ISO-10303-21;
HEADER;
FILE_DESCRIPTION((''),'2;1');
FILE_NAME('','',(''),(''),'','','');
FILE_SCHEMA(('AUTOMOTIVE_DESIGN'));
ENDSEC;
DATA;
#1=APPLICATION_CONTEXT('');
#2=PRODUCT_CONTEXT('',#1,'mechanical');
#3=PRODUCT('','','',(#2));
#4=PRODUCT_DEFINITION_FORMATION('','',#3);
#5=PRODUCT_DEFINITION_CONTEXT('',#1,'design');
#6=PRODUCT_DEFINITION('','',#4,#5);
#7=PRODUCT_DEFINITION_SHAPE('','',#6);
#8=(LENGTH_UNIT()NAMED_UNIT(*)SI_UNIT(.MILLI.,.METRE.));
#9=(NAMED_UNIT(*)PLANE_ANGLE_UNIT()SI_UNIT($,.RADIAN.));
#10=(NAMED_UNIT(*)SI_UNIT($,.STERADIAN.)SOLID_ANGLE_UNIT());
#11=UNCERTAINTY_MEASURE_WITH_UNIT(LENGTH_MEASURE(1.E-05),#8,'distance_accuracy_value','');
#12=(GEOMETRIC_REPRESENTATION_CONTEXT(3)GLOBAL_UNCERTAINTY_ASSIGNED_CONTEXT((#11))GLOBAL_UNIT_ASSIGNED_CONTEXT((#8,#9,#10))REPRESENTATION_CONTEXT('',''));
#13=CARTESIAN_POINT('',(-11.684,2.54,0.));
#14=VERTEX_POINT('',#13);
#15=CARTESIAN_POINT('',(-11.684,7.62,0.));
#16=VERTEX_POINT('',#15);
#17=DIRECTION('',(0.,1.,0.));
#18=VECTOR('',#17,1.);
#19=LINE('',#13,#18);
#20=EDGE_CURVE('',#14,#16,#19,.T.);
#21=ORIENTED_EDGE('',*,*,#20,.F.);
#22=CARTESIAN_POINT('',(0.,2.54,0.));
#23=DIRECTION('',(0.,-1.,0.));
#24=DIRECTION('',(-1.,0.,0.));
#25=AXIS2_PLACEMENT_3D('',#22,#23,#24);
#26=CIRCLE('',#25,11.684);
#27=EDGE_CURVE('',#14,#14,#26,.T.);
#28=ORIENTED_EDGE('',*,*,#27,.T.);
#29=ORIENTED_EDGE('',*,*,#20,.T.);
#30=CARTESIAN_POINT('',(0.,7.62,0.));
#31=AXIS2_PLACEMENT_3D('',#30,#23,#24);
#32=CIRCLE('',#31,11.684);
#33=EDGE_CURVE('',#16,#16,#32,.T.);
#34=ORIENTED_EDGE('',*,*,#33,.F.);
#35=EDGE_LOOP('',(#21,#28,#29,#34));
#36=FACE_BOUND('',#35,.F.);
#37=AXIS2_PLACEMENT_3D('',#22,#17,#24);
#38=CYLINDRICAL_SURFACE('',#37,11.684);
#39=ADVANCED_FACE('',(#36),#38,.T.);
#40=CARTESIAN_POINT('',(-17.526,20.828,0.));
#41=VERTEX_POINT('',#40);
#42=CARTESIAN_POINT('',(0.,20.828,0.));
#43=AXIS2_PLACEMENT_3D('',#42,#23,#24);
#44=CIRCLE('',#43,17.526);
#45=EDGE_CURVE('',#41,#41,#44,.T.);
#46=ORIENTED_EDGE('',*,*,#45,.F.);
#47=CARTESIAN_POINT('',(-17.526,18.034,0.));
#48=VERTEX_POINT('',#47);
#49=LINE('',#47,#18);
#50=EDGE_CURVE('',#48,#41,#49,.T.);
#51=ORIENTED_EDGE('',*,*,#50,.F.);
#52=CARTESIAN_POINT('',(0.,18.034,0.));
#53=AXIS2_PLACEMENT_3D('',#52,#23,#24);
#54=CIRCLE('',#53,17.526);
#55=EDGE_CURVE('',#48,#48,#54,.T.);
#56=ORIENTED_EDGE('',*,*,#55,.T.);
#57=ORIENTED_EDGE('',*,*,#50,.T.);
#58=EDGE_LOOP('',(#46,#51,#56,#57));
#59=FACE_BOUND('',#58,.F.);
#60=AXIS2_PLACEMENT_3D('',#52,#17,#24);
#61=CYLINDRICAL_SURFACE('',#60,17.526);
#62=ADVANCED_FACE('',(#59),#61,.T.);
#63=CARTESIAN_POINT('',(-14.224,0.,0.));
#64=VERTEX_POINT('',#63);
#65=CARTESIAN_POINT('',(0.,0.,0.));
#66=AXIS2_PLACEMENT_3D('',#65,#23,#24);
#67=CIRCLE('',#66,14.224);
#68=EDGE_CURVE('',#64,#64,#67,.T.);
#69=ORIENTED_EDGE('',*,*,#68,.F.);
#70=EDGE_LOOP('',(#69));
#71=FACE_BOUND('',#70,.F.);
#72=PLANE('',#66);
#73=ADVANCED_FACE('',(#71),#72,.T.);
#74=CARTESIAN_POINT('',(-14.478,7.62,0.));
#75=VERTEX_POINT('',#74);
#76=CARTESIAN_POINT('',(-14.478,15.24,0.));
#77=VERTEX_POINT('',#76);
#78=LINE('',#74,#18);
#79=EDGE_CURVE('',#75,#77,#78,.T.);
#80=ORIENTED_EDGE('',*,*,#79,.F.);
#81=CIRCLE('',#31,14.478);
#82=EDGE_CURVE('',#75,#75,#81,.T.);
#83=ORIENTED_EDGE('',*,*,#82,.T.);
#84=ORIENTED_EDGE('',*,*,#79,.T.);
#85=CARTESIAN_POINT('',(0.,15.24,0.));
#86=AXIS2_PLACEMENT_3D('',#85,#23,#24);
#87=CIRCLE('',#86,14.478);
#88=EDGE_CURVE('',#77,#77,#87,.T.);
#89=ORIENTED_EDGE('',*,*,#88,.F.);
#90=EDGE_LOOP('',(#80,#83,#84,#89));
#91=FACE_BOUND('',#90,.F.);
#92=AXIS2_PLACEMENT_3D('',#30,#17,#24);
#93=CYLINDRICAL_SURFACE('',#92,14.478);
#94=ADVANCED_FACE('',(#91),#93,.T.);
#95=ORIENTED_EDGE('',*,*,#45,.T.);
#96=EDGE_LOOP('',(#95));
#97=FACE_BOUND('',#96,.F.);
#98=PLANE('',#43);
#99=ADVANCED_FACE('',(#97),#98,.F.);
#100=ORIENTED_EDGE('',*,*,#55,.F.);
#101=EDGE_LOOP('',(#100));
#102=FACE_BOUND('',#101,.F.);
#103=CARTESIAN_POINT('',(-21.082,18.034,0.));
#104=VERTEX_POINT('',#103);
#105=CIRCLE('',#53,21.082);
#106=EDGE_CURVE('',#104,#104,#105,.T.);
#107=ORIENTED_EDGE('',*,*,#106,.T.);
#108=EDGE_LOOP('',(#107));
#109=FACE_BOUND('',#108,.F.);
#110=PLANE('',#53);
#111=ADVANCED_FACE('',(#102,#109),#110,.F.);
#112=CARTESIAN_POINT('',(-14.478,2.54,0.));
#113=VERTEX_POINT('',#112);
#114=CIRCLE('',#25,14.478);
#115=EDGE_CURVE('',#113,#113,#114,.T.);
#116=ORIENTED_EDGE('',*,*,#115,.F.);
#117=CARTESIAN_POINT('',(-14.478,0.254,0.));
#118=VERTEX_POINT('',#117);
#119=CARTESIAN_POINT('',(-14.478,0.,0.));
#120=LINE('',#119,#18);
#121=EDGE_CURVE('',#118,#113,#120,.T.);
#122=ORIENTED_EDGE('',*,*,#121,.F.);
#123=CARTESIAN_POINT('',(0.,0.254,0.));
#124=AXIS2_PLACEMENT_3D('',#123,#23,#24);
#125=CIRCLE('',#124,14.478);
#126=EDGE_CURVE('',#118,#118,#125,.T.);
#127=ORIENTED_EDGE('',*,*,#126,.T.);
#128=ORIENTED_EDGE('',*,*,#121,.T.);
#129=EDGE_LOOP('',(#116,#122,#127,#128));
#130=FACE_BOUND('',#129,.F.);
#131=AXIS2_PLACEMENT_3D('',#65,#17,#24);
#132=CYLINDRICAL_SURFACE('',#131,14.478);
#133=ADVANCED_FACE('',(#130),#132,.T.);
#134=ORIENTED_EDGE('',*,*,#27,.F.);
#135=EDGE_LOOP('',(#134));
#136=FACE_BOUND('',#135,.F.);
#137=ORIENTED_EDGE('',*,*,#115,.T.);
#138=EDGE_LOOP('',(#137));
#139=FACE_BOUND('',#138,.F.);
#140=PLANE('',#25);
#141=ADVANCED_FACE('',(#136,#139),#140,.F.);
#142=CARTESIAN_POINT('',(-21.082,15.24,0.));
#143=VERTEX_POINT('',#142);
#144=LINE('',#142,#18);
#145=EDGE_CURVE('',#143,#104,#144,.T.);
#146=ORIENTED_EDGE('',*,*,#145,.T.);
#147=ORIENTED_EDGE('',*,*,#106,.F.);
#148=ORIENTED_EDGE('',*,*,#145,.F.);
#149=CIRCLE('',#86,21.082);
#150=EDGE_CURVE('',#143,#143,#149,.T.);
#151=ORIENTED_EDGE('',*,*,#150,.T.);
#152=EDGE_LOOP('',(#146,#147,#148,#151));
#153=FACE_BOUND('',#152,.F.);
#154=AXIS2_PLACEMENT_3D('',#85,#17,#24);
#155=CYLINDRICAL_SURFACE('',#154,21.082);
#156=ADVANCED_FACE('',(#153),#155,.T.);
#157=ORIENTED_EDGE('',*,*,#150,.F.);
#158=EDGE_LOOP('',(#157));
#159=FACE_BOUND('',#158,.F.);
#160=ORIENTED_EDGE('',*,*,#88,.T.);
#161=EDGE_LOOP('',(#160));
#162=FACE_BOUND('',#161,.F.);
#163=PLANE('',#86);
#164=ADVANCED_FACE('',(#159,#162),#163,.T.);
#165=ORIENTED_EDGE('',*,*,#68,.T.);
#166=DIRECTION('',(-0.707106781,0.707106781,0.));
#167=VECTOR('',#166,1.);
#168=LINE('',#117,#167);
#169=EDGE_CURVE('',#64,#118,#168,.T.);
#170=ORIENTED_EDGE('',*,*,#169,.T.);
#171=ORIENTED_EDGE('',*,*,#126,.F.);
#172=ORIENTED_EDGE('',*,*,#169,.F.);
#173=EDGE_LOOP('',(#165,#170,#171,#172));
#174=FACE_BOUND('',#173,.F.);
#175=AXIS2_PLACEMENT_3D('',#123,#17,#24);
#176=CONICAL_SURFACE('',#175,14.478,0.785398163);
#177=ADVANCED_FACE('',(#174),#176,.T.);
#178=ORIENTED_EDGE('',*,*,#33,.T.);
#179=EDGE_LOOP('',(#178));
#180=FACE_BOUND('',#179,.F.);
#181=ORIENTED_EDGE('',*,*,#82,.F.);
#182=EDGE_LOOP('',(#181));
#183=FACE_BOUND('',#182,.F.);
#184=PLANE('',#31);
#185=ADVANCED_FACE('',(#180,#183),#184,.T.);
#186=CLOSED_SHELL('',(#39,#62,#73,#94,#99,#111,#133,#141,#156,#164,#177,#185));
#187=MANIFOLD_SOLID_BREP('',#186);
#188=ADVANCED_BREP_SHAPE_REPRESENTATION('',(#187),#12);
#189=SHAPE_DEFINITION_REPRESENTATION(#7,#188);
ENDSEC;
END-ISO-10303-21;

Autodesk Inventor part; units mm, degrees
ref_plane "YZ Plane" through (0, 0, 0) normal (1, 0, 0) x (0, 1, 0)
ref_plane "XZ Plane" through (0, 0, 0) normal (0, 1, 0) x (-1, 0, 0)
ref_plane "XY Plane" through (0, 0, 0) normal (0, 0, 1) x (1, 0, 0)
sketch "Sketch1" plane through (0, 0, 0) normal (0, 0, 1) x (1, 0, 0)
  line L0 (0, 0) -> (-14.478, 0)
  line L1 (-14.478, 0) -> (-14.478, 2.54)
  line L2 (-14.478, 2.54) -> (-11.684, 2.54)
  line L3 (-11.684, 2.54) -> (-11.684, 7.62)
  line L4 (-11.684, 7.62) -> (-14.478, 7.62)
  line L5 (-14.478, 7.62) -> (-14.478, 15.24)
  line L6 (-14.478, 15.24) -> (-21.082, 15.24)
  line L7 (-21.082, 15.24) -> (-21.082, 18.034)
  line L8 (-21.082, 18.034) -> (-17.526, 18.034)
  line L9 (-17.526, 18.034) -> (-17.526, 20.828)
  line L10 (-17.526, 20.828) -> (0, 20.828)
  line L11 (0, 20.828) -> (0, 0)
  dimension "d0" = 17.526
  dimension "d1" = 21.082
  dimension "d2" = 14.478
  dimension "d3" = 11.684
  dimension "d4" = 2.794
  dimension "d5" = 5.588
  dimension "d7" = 18.288
  dimension "d8" = 13.208
  dimension "d9" = 20.828
revolve "Revolution1" add sketch "Sketch1" angle 360 about axis through (0, 20.828, 0) along (0, -1, 0)
chamfer "Chamfer1" distance 0.254 angle 45 1 edges at (14.478, 0, 0)
properties part number "GL45 bottle cap insert; solid"
